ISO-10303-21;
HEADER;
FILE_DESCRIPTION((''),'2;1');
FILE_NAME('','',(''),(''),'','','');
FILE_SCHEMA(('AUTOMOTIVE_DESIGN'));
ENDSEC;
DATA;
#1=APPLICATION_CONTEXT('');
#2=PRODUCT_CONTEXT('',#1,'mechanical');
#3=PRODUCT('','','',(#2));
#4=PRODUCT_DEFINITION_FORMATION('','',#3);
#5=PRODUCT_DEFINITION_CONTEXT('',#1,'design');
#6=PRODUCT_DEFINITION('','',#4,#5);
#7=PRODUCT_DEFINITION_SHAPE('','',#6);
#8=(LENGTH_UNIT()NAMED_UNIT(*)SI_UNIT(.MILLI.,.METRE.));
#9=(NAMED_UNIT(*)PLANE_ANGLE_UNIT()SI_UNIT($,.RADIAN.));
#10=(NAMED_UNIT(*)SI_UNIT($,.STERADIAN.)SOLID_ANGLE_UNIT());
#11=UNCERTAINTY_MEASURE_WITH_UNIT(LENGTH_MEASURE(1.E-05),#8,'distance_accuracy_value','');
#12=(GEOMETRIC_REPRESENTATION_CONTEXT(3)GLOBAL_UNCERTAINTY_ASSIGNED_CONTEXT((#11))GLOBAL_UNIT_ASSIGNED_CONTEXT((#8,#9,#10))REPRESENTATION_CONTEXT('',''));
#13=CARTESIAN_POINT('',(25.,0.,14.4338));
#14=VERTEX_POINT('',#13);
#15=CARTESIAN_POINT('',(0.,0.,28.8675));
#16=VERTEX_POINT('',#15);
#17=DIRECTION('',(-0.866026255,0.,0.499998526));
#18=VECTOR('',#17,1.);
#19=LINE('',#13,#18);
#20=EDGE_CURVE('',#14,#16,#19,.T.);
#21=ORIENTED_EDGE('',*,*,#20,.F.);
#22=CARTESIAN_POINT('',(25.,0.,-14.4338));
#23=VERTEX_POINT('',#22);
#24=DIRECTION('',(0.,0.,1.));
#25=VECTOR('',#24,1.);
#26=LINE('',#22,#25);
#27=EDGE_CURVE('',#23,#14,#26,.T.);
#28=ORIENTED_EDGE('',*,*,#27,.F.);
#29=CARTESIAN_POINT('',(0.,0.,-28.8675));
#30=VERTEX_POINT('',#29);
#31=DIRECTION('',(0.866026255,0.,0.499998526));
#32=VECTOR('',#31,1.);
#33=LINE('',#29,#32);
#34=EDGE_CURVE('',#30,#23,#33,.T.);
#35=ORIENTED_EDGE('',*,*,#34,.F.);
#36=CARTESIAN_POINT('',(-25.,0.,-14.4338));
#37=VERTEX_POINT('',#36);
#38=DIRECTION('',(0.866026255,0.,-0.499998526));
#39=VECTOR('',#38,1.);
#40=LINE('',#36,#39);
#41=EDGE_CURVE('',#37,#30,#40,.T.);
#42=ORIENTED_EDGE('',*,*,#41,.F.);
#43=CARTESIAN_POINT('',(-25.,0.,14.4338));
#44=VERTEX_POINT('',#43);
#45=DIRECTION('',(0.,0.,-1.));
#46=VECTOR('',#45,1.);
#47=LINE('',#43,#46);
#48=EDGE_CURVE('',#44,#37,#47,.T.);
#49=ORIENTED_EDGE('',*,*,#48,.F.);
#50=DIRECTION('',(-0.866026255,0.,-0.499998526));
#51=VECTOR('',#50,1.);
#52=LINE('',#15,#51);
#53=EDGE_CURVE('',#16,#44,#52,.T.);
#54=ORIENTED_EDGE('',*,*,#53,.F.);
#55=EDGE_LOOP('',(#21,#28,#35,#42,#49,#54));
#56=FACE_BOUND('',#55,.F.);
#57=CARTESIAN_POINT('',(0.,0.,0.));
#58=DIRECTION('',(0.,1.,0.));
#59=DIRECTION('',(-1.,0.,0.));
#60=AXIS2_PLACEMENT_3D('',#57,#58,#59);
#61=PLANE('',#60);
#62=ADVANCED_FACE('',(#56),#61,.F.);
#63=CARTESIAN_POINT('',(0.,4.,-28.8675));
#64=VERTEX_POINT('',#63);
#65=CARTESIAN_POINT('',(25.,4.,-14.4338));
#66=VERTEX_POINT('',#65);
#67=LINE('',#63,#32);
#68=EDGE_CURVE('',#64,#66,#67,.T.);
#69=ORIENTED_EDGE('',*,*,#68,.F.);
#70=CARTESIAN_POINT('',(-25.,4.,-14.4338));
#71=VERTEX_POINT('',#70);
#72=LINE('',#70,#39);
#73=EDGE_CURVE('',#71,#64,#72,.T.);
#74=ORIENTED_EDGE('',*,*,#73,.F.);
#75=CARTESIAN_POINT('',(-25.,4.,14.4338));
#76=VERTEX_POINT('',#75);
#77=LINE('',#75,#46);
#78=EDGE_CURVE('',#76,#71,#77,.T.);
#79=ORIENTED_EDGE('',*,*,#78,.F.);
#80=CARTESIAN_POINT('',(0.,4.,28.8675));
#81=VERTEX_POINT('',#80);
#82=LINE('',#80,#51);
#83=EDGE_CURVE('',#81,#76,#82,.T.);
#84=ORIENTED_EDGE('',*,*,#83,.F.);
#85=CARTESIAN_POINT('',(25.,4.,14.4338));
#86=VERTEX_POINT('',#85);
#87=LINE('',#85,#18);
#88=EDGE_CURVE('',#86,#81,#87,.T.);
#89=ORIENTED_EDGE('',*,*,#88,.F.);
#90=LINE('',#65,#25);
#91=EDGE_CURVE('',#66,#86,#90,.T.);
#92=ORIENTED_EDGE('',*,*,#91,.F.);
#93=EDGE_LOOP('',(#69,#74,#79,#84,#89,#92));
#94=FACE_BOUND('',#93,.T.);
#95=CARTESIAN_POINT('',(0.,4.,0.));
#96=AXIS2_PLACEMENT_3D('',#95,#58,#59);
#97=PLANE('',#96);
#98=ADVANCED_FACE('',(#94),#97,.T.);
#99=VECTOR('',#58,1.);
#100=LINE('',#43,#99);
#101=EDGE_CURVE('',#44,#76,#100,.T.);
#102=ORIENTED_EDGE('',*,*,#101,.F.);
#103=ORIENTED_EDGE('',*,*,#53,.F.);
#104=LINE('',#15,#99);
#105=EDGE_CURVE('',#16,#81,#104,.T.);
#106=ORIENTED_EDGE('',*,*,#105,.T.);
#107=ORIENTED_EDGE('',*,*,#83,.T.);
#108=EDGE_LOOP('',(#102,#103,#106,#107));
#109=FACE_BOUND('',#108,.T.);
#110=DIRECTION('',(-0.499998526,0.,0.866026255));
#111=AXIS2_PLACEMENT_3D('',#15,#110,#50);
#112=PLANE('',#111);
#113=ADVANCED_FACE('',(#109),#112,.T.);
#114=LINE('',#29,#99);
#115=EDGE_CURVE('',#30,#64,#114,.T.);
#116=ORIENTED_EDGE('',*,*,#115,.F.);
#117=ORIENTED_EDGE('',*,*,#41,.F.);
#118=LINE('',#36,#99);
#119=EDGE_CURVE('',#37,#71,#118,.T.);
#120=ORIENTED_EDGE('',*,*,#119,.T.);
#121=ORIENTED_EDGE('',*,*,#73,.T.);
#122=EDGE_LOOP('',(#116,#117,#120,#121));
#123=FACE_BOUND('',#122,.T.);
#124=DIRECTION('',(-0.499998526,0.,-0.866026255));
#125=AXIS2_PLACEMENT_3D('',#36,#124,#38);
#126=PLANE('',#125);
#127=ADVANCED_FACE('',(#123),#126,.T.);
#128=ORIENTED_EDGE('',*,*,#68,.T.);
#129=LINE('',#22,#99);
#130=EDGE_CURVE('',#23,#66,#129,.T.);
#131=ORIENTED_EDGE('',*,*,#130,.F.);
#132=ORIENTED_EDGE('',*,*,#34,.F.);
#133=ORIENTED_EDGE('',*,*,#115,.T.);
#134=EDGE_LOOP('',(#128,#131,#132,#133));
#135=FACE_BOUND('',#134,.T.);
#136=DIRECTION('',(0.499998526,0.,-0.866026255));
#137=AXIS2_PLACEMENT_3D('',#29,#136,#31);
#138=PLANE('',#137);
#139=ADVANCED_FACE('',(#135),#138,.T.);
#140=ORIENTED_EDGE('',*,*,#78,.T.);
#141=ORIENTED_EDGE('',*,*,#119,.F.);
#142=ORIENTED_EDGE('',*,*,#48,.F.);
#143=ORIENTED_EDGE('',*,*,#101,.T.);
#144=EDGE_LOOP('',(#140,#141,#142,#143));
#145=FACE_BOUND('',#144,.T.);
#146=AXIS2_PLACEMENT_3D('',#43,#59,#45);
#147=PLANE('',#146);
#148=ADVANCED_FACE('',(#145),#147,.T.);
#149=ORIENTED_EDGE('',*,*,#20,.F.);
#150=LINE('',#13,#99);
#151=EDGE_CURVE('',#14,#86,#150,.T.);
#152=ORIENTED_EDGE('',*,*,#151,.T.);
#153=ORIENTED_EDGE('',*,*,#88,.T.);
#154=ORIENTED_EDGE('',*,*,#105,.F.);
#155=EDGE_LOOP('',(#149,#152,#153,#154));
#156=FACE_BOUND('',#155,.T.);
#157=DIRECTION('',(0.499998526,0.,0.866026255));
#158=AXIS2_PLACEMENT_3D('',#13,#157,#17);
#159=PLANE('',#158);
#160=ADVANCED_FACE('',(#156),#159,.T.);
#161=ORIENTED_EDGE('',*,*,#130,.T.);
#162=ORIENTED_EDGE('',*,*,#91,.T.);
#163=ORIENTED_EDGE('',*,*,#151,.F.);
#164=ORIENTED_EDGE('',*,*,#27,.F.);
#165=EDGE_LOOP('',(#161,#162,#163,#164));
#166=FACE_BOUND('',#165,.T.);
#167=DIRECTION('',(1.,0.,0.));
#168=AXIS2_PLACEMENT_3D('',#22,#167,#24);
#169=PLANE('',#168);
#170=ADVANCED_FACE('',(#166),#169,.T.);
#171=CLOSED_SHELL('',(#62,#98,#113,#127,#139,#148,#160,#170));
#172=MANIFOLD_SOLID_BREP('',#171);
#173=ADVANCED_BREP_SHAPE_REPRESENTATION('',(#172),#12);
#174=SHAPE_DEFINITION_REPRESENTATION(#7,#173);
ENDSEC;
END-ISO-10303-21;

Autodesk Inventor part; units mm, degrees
ref_plane "YZ Plane" through (0, 0, 0) normal (1, 0, 0) x (0, 1, 0)
ref_plane "XZ Plane" through (0, 0, 0) normal (0, 1, 0) x (-1, 0, 0)
ref_plane "XY Plane" through (0, 0, 0) normal (0, 0, 1) x (1, 0, 0)
sketch "Sketch1" plane through (0, 0, 0) normal (0, 1, 0) x (-1, 0, 0)
  circle A0 centre (0, 0) radius 25 construction
  line L0 (25, -14.4338) -> (0, -28.8675)
  line L1 (0, -28.8675) -> (-25, -14.4338)
  line L2 (-25, -14.4338) -> (-25, 14.4338)
  line L3 (-25, 14.4338) -> (0, 28.8675)
  line L4 (0, 28.8675) -> (25, 14.4338)
  line L5 (25, 14.4338) -> (25, -14.4338)
  point P0 (25, 0)
  dimension "d0" = 50
extrude "Extrusion1" add sketch "Sketch1" along normal blind 4
properties part number "objeto5"
